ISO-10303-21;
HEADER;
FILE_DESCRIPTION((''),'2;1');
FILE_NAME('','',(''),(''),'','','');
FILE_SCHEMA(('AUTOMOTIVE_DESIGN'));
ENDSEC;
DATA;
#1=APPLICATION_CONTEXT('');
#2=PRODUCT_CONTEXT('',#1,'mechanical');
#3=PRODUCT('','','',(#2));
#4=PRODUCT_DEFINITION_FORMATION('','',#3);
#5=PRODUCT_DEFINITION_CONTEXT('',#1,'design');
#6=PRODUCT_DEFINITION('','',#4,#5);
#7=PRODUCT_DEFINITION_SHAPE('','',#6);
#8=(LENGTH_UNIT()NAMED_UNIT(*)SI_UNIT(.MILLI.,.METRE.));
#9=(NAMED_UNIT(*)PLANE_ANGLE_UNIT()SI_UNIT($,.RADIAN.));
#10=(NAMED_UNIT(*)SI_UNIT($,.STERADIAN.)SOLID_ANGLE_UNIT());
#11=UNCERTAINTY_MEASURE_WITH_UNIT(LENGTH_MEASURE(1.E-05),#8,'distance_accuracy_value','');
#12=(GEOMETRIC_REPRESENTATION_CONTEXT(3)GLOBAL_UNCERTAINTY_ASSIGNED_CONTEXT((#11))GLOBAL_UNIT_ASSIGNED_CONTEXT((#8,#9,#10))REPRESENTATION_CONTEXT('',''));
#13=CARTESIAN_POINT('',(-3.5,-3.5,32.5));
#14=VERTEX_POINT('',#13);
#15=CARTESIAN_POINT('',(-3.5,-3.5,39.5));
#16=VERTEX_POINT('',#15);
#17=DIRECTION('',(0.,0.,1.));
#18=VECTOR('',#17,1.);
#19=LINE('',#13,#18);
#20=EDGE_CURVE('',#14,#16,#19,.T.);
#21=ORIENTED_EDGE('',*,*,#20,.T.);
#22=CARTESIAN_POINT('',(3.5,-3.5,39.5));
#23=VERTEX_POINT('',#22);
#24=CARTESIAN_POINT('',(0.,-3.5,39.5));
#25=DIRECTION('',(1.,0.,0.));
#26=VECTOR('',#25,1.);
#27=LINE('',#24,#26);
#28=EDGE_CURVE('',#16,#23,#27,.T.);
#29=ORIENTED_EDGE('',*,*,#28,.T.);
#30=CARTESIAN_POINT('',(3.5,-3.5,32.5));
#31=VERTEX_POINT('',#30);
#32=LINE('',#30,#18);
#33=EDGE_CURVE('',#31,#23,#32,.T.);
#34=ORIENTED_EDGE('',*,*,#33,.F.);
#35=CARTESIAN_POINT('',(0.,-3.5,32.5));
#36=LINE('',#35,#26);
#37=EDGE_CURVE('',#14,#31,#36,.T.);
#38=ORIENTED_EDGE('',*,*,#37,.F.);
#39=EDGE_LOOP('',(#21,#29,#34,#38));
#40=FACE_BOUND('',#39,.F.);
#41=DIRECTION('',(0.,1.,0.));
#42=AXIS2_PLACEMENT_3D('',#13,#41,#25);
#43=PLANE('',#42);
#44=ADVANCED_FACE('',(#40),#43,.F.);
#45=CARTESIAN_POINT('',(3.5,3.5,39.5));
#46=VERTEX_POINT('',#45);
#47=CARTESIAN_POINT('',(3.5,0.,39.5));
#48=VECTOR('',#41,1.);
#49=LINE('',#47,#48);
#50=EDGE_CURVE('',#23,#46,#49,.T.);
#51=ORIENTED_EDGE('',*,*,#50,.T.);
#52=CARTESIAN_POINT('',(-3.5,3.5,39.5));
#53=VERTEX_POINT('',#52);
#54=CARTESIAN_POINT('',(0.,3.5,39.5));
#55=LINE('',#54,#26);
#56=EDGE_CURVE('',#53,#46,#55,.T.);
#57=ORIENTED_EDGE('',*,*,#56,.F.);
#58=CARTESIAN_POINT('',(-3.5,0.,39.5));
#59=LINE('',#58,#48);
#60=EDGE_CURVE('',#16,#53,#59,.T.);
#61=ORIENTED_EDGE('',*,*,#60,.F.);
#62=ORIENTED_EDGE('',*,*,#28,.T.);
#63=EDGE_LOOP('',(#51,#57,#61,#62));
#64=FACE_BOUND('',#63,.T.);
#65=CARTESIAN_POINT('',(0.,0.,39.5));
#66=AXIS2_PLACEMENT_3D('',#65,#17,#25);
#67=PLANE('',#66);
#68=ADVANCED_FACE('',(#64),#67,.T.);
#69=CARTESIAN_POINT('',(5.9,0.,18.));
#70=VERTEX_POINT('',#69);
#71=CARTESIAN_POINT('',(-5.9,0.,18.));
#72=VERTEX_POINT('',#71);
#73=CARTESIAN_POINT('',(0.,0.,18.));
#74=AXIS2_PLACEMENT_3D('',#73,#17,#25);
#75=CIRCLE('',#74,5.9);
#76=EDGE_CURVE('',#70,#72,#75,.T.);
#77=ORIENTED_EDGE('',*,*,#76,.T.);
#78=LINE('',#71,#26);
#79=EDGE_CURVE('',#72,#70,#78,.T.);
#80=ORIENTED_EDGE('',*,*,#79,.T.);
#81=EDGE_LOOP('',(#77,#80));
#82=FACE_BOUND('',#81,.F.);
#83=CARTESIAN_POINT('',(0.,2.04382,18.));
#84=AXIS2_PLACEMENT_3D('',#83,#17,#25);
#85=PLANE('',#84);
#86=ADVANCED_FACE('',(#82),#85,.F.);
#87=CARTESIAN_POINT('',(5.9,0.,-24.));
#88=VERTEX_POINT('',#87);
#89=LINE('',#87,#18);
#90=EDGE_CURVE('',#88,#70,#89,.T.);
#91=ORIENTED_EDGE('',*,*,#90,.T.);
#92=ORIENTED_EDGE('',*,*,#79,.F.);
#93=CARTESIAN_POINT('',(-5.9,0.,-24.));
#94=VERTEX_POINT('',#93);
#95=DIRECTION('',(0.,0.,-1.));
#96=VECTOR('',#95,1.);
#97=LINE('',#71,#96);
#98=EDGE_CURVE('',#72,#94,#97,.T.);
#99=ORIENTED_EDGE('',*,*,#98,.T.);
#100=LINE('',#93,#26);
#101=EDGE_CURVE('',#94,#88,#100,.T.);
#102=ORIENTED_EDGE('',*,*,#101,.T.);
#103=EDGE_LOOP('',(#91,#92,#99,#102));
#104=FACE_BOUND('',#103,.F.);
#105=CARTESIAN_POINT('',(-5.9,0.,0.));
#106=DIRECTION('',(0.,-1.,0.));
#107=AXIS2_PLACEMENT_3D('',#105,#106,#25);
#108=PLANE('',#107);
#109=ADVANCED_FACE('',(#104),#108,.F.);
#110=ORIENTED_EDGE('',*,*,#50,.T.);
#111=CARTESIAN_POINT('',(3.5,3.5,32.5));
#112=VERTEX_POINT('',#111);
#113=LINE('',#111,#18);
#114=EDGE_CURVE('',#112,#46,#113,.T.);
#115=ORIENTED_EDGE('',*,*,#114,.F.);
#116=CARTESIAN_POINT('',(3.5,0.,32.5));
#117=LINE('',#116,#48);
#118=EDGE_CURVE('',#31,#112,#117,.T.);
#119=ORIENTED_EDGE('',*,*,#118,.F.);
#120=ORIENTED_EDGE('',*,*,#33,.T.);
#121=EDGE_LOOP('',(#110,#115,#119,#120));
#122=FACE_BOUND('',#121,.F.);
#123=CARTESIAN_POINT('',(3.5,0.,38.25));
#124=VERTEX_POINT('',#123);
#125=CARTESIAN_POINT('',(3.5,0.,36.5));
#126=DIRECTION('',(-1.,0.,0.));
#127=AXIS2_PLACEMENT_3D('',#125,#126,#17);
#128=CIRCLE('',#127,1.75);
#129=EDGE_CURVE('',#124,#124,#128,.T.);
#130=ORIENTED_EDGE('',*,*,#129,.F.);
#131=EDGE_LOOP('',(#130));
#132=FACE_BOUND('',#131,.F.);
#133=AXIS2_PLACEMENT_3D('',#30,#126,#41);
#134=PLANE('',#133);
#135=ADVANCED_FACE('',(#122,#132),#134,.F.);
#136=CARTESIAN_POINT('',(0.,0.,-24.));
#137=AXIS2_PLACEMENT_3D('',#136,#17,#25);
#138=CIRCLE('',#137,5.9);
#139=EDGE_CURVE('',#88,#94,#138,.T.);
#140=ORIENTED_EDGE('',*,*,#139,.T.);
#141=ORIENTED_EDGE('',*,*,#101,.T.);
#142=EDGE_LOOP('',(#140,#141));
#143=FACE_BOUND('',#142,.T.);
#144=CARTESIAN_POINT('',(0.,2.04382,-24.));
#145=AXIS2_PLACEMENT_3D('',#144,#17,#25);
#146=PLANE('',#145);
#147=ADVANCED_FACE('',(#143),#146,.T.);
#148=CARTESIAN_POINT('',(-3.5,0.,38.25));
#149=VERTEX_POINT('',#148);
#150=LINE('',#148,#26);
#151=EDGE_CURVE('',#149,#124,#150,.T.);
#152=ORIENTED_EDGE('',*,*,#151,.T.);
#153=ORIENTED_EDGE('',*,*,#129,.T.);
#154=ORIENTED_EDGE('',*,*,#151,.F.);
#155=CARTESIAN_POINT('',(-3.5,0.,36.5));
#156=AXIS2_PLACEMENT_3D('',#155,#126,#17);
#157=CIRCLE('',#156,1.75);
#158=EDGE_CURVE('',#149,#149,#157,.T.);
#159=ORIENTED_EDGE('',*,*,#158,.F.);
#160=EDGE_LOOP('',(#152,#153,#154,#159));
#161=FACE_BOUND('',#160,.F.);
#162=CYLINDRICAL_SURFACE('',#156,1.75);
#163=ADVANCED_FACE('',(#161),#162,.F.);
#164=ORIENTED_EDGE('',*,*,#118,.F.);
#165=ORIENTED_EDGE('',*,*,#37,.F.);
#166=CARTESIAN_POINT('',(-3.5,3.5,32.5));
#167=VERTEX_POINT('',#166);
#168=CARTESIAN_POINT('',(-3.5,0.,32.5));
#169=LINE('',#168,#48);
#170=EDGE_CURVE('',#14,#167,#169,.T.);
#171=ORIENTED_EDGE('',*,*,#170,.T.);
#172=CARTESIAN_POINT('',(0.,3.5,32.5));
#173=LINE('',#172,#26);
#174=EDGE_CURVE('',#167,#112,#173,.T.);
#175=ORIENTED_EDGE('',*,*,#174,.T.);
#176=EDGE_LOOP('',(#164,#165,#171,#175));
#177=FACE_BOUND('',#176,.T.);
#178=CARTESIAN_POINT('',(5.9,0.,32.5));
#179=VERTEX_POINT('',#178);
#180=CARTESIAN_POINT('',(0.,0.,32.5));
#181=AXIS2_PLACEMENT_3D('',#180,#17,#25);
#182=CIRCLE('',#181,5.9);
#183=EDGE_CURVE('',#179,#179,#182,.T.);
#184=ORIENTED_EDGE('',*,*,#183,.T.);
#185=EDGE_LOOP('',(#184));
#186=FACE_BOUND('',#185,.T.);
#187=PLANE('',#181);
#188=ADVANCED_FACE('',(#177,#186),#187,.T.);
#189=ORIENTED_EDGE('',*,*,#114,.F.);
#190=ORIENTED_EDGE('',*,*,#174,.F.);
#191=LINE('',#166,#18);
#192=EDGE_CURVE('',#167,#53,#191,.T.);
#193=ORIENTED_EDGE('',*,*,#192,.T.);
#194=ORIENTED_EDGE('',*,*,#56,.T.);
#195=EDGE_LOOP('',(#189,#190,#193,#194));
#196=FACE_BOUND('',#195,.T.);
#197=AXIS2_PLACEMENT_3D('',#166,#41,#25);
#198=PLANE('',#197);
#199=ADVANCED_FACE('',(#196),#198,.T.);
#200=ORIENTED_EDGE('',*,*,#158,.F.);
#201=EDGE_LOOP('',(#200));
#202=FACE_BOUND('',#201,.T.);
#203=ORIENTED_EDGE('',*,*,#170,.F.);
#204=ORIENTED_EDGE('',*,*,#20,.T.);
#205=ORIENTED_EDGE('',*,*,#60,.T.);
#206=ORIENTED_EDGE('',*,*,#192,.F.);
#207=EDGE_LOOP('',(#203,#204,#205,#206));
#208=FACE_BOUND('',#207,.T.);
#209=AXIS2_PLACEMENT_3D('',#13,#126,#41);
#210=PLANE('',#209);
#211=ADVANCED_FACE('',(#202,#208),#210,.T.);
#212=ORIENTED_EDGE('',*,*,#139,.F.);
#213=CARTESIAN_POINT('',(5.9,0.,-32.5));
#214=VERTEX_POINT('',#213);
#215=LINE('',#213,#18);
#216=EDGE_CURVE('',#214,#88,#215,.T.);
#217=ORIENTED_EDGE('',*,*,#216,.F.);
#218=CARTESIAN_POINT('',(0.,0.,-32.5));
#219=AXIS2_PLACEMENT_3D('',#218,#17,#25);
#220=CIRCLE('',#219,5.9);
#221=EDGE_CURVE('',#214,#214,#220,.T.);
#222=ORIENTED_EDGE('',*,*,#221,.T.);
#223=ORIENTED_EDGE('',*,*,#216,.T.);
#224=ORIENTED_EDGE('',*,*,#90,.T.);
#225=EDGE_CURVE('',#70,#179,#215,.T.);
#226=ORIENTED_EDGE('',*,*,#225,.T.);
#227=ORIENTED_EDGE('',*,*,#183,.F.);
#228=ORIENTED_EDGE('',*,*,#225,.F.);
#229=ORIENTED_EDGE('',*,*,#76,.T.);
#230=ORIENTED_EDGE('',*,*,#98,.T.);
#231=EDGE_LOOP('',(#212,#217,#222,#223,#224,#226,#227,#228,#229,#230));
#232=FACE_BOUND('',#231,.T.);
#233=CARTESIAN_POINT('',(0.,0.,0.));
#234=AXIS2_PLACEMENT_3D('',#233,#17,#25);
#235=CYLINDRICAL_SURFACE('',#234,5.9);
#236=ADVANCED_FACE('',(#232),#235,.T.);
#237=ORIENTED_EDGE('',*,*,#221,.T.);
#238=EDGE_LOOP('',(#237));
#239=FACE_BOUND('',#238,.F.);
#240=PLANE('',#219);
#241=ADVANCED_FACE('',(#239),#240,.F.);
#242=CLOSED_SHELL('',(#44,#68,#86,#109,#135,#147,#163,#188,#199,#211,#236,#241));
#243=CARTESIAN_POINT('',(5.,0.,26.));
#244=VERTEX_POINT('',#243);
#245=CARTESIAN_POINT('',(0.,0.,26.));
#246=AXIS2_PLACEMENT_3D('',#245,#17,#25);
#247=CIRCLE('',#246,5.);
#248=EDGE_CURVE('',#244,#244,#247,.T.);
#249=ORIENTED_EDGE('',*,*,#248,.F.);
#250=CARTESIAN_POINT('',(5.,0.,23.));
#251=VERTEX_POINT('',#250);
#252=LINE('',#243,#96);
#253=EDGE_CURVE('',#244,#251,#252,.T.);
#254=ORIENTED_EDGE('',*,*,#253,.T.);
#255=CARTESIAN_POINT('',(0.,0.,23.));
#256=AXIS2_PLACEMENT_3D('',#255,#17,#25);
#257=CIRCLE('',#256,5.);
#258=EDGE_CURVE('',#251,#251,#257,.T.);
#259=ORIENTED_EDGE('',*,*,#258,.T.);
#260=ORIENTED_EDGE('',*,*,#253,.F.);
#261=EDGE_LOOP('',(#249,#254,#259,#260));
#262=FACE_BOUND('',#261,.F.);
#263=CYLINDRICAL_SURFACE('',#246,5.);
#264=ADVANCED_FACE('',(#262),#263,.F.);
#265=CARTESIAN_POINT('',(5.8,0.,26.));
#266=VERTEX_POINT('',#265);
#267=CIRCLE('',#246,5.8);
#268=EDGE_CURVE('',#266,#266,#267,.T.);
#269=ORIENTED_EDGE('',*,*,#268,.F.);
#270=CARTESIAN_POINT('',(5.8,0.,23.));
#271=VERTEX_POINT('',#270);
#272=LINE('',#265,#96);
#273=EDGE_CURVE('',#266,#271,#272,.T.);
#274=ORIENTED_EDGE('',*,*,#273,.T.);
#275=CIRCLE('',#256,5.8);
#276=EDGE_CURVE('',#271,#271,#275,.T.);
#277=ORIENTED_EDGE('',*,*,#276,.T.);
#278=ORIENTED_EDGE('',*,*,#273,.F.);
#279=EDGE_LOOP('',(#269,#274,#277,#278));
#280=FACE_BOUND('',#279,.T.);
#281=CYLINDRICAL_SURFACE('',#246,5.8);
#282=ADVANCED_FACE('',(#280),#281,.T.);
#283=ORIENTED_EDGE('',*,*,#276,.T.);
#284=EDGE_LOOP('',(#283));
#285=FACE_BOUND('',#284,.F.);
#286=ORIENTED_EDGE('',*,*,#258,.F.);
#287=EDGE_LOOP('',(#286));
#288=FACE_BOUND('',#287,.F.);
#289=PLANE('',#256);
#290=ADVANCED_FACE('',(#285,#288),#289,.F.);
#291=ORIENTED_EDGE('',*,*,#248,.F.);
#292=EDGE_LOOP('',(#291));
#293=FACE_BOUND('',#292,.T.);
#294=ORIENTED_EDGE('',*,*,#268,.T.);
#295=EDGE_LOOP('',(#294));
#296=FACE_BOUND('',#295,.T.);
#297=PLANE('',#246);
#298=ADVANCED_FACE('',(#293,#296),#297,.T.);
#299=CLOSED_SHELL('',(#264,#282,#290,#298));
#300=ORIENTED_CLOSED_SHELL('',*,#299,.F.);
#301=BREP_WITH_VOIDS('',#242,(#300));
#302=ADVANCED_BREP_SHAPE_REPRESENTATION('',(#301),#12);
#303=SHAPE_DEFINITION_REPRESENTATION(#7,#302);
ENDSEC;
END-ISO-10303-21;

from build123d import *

# Parameters (mm, degrees)
CROQUIS1_R                   = 5.9
SALIENTE_EXTRUIR1_DEPTH      = 32.5
CORTAR_EXTRUIR1_DEPTH        = 24
CORTAR_EXTRUIR_L_MINA1_START = -6.5
CROQUIS3_R                   = 5.8
CROQUIS3_R_2                 = 5
CORTAR_EXTRUIR_L_MINA1_DEPTH = 3
CROQUIS4_W                   = 7
CROQUIS4_H                   = 7
SALIENTE_EXTRUIR2_DEPTH      = 7
CROQUIS6_R                   = 1.75
CORTAR_EXTRUIR3_DEPTH        = 42.029501581
CORTAR_EXTRUIR4_START        = 18
CORTAR_EXTRUIR4_DEPTH        = 18


with BuildPart() as part:
    # Croquis1 → Saliente-Extruir1 (new, symmetric)
    with BuildSketch(Plane.XY):
        Circle(CROQUIS1_R)
    extrude(amount=SALIENTE_EXTRUIR1_DEPTH, both=True)

    # Croquis2 → Cortar-Extruir1 (cut)
    with BuildSketch(Plane.XY):
        with BuildLine():
            Line((-5.9, 0), (5.9, 0))
            ThreePointArc((5.9, 0), (0, 5.9), (-5.9, 0))
        make_face()
    extrude(amount=-CORTAR_EXTRUIR1_DEPTH, mode=Mode.SUBTRACT)

    # Croquis3 → Cortar-Extruir-Lámina1 (cut)
    with BuildSketch(Plane.XY.offset(32.5).offset(CORTAR_EXTRUIR_L_MINA1_START)):
        Circle(CROQUIS3_R)
        Circle(CROQUIS3_R_2, mode=Mode.SUBTRACT)
    extrude(amount=-CORTAR_EXTRUIR_L_MINA1_DEPTH, mode=Mode.SUBTRACT)

    # Croquis4 → Saliente-Extruir2 (add)
    with BuildSketch(Plane.XY.offset(32.5)):
        Rectangle(CROQUIS4_W, CROQUIS4_H)
    extrude(amount=SALIENTE_EXTRUIR2_DEPTH)

    # Croquis6 → Cortar-Extruir3 (cut, through all)
    with BuildSketch(Plane.ZY.offset(3.5)):
        with Locations((36.5, 0)):
            Circle(CROQUIS6_R)
    extrude(amount=-CORTAR_EXTRUIR3_DEPTH, mode=Mode.SUBTRACT)

    # Croquis2<2> → Cortar-Extruir4 (cut)
    with BuildSketch(Plane.XY.offset(CORTAR_EXTRUIR4_START)):
        with BuildLine():
            Line((-5.9, 0), (5.9, 0))
            ThreePointArc((5.9, 0), (0, 5.9), (-5.9, 0))
        make_face()
    extrude(amount=-CORTAR_EXTRUIR4_DEPTH, mode=Mode.SUBTRACT)


solid = part.part
